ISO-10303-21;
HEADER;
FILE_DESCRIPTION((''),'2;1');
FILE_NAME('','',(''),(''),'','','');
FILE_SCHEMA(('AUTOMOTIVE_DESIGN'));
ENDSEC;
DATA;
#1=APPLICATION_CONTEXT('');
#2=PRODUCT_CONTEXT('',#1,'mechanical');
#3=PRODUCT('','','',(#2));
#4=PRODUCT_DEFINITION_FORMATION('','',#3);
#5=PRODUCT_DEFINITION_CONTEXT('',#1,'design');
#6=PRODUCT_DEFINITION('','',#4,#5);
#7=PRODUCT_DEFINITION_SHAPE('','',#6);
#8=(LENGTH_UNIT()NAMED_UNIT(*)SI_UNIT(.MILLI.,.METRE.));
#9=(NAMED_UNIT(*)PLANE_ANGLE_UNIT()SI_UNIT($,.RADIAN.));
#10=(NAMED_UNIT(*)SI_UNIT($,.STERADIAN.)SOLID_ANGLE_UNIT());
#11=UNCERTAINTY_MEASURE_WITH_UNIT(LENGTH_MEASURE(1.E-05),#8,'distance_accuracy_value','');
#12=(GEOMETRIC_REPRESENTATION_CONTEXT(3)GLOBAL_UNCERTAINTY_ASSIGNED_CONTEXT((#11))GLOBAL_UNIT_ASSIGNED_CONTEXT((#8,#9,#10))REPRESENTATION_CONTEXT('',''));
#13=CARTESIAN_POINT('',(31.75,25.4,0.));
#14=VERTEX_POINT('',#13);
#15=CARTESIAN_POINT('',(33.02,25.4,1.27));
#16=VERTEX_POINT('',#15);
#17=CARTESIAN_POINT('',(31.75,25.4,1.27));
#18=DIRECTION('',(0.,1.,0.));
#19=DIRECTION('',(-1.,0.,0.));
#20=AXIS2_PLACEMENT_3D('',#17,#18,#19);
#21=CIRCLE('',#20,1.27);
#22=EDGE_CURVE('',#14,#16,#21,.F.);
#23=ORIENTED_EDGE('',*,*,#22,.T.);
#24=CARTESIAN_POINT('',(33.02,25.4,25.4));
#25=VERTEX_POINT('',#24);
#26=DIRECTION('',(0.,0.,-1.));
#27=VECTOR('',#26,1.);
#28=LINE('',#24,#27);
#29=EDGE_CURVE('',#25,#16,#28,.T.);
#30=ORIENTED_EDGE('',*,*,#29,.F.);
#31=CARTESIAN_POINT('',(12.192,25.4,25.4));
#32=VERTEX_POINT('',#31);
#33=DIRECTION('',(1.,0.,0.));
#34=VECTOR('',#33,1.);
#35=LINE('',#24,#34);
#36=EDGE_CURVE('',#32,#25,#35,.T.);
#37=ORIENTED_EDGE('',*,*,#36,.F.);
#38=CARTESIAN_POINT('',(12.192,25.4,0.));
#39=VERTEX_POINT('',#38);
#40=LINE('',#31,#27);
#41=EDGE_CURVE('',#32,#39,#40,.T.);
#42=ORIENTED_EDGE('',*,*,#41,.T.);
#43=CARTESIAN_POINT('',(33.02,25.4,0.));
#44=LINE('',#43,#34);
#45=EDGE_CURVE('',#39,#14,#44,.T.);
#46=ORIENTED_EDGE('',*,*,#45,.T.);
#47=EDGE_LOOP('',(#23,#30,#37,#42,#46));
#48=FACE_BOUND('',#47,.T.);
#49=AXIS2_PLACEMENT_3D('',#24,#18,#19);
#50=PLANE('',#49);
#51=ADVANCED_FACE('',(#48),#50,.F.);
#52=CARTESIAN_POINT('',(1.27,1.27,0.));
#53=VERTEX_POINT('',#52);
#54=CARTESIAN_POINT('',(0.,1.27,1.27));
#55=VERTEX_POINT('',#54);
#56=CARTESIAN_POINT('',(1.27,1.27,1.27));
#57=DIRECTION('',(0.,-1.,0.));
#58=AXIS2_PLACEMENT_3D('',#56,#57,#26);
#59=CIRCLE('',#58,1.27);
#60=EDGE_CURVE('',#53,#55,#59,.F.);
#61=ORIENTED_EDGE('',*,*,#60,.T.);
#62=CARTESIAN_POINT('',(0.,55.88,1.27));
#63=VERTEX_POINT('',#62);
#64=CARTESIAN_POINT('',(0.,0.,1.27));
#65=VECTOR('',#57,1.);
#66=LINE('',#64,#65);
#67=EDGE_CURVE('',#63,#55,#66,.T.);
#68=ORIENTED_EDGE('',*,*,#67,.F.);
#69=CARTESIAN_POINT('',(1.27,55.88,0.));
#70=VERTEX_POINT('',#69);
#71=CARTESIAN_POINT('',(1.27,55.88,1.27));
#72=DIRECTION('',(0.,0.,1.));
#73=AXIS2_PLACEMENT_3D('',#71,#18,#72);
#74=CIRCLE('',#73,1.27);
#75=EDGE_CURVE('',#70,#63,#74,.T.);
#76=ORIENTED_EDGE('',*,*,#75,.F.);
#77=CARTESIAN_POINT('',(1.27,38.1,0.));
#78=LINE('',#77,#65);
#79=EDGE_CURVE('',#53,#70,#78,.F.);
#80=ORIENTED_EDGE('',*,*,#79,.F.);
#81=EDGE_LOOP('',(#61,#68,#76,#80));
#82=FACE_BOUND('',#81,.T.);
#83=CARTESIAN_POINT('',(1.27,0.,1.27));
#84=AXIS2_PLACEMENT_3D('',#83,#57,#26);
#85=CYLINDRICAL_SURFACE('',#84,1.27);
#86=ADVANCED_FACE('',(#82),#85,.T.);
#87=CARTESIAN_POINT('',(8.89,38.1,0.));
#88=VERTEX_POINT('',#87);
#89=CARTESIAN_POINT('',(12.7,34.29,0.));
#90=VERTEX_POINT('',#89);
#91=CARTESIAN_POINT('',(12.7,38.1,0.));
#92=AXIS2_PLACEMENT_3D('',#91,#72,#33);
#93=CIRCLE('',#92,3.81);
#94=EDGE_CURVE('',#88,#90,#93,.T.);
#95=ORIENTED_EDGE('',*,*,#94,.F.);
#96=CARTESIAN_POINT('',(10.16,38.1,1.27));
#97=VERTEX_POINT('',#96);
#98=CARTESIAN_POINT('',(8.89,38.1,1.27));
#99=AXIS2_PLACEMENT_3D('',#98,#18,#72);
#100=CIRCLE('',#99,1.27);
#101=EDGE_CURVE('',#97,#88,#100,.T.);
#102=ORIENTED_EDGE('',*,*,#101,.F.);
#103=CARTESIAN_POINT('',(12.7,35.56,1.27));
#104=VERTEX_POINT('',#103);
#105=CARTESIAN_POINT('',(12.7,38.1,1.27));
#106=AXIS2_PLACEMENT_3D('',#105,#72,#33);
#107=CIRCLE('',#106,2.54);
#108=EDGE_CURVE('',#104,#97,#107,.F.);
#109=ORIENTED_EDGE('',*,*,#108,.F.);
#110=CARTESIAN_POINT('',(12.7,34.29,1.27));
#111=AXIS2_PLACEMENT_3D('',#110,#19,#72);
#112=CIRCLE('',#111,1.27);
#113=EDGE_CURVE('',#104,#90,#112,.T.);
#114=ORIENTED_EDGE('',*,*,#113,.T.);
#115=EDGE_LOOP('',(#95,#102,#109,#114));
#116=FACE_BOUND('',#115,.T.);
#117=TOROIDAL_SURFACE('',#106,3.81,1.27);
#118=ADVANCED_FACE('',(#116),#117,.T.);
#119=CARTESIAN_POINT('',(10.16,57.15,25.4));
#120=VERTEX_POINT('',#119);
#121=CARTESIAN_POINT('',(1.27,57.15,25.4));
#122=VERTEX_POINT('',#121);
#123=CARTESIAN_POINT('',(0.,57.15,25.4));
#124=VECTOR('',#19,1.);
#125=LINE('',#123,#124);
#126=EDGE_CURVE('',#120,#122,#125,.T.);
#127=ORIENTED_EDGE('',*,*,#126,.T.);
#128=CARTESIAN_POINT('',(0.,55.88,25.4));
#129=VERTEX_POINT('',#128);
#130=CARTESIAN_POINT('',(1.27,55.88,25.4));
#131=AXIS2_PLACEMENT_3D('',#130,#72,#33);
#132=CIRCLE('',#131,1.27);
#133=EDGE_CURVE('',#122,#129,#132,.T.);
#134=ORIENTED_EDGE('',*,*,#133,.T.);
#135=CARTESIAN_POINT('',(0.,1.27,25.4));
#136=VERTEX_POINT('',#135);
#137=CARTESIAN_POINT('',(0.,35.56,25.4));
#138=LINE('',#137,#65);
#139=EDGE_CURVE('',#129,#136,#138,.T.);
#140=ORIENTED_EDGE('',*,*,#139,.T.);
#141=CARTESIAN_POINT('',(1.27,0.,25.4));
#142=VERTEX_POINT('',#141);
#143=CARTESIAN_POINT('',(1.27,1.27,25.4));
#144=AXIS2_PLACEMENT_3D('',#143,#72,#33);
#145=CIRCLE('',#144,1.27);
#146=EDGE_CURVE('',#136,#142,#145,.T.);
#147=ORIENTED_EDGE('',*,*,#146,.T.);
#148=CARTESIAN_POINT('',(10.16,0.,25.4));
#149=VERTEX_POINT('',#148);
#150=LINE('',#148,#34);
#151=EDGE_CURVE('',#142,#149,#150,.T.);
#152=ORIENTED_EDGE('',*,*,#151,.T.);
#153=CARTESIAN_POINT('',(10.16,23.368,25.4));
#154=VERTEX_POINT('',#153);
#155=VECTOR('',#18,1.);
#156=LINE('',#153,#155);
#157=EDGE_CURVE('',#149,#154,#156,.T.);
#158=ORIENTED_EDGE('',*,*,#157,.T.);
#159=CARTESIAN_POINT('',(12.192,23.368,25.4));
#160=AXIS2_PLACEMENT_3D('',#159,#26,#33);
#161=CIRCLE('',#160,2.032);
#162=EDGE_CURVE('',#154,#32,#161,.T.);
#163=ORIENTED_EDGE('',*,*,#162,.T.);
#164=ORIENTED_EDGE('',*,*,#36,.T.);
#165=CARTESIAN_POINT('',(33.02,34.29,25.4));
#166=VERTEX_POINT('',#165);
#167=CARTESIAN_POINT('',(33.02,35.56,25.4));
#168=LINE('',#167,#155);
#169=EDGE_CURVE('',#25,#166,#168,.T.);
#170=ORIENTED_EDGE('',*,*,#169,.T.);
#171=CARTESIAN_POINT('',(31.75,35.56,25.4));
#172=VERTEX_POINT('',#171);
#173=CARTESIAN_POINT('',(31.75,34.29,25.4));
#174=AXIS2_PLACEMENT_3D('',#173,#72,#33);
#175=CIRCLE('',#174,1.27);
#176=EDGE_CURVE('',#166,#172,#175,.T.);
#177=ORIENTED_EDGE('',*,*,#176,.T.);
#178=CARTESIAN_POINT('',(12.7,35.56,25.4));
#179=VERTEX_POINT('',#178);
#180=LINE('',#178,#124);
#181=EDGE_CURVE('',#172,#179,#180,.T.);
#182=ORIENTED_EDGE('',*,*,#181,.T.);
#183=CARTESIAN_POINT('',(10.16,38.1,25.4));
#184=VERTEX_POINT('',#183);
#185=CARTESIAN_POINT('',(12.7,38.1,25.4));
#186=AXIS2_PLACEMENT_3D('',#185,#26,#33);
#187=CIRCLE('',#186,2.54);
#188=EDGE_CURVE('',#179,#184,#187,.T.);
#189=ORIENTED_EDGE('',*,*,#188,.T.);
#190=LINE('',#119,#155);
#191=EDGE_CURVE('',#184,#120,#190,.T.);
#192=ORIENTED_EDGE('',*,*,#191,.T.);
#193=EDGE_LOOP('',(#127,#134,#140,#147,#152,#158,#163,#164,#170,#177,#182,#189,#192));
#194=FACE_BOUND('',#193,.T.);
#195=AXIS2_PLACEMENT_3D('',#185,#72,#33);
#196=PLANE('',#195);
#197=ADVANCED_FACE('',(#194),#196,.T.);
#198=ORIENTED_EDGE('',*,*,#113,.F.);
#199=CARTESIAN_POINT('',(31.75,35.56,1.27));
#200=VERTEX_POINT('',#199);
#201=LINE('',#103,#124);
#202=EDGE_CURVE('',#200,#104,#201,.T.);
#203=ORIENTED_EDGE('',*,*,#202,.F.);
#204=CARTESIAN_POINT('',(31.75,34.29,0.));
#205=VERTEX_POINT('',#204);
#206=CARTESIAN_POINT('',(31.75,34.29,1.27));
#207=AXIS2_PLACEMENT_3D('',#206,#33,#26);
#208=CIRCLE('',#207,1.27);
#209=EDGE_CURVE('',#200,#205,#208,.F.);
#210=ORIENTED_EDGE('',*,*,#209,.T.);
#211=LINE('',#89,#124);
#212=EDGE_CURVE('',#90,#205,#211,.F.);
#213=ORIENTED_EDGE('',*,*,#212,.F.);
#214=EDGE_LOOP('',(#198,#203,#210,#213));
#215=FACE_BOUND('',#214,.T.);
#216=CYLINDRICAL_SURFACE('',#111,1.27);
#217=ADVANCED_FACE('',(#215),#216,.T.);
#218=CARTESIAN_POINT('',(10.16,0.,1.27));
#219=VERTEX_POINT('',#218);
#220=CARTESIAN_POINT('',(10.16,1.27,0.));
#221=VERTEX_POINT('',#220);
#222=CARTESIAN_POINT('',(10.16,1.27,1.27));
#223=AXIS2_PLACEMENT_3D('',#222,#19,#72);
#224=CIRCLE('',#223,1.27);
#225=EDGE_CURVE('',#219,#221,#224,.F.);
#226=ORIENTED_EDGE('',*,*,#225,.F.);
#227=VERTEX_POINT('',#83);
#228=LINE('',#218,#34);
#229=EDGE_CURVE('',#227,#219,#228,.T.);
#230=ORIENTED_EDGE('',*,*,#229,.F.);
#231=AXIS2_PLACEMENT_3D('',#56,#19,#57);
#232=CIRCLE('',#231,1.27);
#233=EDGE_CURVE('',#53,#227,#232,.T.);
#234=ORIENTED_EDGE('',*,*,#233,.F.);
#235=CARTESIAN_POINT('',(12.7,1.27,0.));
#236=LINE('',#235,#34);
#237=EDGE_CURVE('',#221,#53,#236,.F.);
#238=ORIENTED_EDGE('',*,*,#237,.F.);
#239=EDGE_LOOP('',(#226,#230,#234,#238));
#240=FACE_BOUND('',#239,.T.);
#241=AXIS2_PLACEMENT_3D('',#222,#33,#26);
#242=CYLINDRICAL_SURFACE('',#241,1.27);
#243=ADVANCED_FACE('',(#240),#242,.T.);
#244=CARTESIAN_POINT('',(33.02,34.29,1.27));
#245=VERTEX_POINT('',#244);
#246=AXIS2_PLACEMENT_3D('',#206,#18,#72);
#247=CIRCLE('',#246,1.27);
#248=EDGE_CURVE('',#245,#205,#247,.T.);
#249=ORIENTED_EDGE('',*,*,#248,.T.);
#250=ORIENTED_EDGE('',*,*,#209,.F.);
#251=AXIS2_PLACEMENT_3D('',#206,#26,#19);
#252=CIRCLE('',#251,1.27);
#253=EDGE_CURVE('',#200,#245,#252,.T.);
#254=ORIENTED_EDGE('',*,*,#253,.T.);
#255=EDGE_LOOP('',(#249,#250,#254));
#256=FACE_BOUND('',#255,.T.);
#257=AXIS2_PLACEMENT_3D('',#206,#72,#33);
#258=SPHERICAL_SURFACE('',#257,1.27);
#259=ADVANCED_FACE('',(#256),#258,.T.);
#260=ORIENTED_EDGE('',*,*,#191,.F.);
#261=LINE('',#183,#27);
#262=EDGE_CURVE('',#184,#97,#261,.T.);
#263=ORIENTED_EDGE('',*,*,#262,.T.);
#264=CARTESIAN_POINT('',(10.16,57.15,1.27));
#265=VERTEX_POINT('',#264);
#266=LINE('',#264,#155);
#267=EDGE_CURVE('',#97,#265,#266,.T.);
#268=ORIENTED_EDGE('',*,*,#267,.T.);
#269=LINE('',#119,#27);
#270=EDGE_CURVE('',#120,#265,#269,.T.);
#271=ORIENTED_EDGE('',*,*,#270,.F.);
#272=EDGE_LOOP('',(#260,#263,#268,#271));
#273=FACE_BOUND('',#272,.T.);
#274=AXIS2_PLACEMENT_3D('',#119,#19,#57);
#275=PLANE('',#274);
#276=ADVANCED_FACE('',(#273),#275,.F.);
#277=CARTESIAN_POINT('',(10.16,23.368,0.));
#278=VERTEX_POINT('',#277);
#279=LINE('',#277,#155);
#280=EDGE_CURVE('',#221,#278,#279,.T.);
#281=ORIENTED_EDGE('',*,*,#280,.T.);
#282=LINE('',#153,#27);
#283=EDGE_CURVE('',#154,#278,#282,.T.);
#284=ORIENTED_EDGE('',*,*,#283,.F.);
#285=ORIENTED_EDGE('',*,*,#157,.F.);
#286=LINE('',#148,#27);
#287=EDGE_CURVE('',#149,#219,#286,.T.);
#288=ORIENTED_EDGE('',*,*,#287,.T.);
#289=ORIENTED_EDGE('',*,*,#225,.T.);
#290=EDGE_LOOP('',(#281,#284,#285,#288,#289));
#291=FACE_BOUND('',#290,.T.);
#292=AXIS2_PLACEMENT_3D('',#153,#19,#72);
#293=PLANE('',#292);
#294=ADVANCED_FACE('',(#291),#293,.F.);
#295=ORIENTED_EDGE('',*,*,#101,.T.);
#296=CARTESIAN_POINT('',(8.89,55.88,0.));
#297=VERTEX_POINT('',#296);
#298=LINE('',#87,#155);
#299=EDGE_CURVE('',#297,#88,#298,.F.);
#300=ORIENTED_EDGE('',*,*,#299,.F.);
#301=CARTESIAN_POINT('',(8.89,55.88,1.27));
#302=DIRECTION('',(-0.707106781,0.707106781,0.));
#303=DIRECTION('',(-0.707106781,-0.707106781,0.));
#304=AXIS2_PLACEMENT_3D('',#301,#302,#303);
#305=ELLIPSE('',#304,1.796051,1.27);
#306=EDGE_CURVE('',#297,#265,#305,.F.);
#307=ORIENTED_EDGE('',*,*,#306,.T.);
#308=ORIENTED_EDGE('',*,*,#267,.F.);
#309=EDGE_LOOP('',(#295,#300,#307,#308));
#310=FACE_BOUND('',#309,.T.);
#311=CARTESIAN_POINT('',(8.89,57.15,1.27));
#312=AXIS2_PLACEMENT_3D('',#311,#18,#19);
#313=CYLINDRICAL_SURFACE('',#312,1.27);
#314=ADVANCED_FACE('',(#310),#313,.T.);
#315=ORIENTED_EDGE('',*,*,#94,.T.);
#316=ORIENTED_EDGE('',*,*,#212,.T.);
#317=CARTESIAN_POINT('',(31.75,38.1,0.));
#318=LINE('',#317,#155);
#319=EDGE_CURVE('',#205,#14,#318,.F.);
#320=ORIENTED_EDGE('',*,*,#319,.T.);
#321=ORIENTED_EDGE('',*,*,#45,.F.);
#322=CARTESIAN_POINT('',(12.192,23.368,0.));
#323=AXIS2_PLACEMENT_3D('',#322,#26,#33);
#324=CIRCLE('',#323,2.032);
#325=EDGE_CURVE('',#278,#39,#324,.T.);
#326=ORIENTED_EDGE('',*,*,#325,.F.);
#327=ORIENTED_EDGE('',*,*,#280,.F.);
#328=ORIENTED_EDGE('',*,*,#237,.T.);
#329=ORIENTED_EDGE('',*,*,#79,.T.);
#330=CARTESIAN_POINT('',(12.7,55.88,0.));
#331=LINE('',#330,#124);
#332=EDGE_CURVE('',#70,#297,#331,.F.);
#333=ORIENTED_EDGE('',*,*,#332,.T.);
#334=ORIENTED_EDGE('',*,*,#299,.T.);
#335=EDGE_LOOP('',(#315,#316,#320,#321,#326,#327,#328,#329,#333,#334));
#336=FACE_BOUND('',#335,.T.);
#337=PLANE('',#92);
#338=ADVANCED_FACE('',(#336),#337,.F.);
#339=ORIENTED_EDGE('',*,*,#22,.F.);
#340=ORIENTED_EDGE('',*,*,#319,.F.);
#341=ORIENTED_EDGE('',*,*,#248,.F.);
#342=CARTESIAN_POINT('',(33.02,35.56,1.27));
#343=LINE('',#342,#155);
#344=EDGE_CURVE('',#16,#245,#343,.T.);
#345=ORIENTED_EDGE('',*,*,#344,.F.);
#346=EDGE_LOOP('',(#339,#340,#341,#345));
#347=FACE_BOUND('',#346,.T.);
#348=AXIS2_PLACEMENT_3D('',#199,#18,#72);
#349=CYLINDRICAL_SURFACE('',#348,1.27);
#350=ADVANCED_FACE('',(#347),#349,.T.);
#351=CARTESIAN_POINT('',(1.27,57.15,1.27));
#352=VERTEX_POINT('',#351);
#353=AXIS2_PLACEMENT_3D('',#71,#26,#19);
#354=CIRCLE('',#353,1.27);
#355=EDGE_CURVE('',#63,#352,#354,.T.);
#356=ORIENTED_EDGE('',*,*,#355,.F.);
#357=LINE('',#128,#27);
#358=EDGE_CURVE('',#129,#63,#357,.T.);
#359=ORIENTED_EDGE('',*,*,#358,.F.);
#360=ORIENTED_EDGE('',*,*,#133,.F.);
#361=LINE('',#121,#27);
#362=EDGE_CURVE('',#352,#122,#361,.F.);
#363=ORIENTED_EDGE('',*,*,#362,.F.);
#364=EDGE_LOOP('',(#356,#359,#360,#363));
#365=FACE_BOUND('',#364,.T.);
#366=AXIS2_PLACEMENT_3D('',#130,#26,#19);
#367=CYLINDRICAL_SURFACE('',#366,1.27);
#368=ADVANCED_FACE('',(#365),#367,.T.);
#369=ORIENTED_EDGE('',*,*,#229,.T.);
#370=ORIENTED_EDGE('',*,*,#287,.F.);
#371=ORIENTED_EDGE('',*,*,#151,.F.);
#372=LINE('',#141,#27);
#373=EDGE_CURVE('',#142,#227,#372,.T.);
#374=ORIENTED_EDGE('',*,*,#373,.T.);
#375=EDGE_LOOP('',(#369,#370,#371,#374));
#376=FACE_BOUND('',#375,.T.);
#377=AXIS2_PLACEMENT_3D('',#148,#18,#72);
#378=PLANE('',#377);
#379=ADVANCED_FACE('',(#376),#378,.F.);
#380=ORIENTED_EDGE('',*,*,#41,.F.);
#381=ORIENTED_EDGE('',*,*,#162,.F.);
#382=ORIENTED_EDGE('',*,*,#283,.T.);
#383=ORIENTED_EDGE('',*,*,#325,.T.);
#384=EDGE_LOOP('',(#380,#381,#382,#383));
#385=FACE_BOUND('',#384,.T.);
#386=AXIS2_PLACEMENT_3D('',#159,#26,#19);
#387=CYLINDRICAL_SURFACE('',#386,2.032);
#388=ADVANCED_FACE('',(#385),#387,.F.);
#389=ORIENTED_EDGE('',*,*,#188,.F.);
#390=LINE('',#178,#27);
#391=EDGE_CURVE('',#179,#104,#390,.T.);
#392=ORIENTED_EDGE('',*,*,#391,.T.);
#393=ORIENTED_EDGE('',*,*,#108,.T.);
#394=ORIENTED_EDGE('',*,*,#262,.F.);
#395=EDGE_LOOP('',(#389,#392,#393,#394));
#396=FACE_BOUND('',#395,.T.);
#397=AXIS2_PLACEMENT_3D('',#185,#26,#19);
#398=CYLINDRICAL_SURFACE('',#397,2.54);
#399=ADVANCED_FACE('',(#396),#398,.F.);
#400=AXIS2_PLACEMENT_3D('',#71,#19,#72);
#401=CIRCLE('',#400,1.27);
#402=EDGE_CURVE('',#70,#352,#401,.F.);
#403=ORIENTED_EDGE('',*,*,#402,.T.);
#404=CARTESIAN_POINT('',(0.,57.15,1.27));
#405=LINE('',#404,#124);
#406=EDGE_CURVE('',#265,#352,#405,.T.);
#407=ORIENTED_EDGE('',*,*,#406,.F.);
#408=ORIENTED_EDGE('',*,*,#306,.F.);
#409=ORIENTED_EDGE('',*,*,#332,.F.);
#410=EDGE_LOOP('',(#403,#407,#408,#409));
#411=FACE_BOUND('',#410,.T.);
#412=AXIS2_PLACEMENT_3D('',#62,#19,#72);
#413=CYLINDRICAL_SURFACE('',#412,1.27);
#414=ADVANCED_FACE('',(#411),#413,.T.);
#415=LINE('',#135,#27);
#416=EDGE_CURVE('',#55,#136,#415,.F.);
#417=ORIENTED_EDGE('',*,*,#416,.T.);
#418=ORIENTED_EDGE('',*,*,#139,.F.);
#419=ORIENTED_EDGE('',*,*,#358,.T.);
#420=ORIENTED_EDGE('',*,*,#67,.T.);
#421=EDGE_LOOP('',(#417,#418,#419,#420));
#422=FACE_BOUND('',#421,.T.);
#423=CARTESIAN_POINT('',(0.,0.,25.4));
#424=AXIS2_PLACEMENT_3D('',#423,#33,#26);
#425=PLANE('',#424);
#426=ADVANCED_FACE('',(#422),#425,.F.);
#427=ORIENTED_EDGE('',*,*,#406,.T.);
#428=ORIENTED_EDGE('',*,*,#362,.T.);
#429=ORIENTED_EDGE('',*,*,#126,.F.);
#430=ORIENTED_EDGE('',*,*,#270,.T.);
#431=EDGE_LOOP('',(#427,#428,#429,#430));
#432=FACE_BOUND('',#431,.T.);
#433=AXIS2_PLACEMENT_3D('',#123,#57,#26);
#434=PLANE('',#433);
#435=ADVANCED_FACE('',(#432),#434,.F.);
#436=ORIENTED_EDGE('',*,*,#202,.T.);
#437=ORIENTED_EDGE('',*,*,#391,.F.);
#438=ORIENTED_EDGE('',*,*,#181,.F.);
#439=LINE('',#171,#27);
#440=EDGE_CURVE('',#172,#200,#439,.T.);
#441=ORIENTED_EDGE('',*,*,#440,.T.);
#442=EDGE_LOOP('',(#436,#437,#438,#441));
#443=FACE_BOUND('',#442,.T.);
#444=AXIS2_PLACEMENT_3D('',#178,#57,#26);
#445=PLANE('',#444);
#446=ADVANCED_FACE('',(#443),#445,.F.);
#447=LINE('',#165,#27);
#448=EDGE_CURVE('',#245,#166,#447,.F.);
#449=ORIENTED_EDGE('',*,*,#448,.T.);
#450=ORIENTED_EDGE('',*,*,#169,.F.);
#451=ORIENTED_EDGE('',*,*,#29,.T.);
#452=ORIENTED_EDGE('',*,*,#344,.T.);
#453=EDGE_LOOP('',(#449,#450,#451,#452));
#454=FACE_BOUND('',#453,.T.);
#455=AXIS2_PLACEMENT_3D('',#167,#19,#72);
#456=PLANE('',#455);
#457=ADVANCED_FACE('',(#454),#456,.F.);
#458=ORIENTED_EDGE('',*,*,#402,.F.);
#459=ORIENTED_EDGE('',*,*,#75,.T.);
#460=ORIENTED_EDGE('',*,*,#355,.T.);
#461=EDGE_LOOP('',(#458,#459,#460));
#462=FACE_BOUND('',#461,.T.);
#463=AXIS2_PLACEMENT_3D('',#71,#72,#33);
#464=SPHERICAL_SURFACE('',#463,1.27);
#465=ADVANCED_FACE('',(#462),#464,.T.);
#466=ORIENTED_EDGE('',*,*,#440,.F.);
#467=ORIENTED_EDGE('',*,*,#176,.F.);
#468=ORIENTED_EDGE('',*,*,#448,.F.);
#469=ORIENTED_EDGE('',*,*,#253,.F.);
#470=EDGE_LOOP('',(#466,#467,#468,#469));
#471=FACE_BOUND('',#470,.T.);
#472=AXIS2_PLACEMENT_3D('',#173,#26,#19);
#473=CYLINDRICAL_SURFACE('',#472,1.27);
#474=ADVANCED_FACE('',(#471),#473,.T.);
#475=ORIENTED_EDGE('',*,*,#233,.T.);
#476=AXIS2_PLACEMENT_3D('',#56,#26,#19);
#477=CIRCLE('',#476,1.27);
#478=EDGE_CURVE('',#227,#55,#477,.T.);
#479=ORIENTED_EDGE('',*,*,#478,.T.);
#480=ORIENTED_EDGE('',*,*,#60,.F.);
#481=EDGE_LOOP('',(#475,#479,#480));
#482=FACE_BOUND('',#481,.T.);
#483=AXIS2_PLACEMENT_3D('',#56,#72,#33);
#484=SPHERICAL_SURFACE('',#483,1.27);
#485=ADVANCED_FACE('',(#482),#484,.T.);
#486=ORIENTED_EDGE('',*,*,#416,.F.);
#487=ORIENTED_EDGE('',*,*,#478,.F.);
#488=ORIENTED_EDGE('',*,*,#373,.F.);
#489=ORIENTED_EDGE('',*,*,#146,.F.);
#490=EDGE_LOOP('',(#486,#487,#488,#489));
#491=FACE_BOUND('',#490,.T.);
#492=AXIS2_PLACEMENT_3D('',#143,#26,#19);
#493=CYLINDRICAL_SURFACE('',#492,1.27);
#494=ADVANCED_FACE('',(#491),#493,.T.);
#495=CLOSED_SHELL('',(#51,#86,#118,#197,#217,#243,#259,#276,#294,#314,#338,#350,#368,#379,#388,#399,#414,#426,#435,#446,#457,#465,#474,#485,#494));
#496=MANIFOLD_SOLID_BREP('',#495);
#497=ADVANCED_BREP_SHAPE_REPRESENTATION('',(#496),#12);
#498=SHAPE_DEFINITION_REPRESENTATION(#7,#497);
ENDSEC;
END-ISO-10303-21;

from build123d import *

# Parameters (mm, degrees)
BOSS_EXTRUDE1_DEPTH = 25.4
FILLET1_R           = 1.27


with BuildPart() as part:
    # Sketch1 → Boss-Extrude1 (new body)
    with BuildSketch(Plane.XY):
        with BuildLine():
            Line((0, 0), (0, 35.56))
            Line((0, 35.56), (0, 57.15))
            Line((0, 57.15), (10.16, 57.15))
            Line((10.16, 57.15), (10.16, 38.1))
            ThreePointArc((10.16, 38.1), (10.903948776, 36.303948776), (12.7, 35.56))
            Line((12.7, 35.56), (33.02, 35.56))
            Line((33.02, 35.56), (33.02, 25.4))
            Line((33.02, 25.4), (12.192, 25.4))
            ThreePointArc((12.192, 25.4), (10.755159021, 24.804840979), (10.16, 23.368))
            Line((10.16, 23.368), (10.16, 0))
            Line((10.16, 0), (0, 0))
        make_face()
    extrude(amount=BOSS_EXTRUDE1_DEPTH)

    # Fillet1
    fillet1_edges = [part.edges().sort_by_distance(p)[0] for p in [
        (0, 0, 12.7),
        (0, 57.15, 12.7),
        (0, 28.575, 0),
        (5.08, 0, 0),
        (10.16, 47.625, 0),
        (10.903948776, 36.303948776, 0),
        (22.86, 35.56, 0),
        (5.08, 57.15, 0),
        (33.02, 35.56, 12.7),
        (33.02, 30.48, 0),
    ]]
    fillet(fillet1_edges, radius=FILLET1_R)


solid = part.part
